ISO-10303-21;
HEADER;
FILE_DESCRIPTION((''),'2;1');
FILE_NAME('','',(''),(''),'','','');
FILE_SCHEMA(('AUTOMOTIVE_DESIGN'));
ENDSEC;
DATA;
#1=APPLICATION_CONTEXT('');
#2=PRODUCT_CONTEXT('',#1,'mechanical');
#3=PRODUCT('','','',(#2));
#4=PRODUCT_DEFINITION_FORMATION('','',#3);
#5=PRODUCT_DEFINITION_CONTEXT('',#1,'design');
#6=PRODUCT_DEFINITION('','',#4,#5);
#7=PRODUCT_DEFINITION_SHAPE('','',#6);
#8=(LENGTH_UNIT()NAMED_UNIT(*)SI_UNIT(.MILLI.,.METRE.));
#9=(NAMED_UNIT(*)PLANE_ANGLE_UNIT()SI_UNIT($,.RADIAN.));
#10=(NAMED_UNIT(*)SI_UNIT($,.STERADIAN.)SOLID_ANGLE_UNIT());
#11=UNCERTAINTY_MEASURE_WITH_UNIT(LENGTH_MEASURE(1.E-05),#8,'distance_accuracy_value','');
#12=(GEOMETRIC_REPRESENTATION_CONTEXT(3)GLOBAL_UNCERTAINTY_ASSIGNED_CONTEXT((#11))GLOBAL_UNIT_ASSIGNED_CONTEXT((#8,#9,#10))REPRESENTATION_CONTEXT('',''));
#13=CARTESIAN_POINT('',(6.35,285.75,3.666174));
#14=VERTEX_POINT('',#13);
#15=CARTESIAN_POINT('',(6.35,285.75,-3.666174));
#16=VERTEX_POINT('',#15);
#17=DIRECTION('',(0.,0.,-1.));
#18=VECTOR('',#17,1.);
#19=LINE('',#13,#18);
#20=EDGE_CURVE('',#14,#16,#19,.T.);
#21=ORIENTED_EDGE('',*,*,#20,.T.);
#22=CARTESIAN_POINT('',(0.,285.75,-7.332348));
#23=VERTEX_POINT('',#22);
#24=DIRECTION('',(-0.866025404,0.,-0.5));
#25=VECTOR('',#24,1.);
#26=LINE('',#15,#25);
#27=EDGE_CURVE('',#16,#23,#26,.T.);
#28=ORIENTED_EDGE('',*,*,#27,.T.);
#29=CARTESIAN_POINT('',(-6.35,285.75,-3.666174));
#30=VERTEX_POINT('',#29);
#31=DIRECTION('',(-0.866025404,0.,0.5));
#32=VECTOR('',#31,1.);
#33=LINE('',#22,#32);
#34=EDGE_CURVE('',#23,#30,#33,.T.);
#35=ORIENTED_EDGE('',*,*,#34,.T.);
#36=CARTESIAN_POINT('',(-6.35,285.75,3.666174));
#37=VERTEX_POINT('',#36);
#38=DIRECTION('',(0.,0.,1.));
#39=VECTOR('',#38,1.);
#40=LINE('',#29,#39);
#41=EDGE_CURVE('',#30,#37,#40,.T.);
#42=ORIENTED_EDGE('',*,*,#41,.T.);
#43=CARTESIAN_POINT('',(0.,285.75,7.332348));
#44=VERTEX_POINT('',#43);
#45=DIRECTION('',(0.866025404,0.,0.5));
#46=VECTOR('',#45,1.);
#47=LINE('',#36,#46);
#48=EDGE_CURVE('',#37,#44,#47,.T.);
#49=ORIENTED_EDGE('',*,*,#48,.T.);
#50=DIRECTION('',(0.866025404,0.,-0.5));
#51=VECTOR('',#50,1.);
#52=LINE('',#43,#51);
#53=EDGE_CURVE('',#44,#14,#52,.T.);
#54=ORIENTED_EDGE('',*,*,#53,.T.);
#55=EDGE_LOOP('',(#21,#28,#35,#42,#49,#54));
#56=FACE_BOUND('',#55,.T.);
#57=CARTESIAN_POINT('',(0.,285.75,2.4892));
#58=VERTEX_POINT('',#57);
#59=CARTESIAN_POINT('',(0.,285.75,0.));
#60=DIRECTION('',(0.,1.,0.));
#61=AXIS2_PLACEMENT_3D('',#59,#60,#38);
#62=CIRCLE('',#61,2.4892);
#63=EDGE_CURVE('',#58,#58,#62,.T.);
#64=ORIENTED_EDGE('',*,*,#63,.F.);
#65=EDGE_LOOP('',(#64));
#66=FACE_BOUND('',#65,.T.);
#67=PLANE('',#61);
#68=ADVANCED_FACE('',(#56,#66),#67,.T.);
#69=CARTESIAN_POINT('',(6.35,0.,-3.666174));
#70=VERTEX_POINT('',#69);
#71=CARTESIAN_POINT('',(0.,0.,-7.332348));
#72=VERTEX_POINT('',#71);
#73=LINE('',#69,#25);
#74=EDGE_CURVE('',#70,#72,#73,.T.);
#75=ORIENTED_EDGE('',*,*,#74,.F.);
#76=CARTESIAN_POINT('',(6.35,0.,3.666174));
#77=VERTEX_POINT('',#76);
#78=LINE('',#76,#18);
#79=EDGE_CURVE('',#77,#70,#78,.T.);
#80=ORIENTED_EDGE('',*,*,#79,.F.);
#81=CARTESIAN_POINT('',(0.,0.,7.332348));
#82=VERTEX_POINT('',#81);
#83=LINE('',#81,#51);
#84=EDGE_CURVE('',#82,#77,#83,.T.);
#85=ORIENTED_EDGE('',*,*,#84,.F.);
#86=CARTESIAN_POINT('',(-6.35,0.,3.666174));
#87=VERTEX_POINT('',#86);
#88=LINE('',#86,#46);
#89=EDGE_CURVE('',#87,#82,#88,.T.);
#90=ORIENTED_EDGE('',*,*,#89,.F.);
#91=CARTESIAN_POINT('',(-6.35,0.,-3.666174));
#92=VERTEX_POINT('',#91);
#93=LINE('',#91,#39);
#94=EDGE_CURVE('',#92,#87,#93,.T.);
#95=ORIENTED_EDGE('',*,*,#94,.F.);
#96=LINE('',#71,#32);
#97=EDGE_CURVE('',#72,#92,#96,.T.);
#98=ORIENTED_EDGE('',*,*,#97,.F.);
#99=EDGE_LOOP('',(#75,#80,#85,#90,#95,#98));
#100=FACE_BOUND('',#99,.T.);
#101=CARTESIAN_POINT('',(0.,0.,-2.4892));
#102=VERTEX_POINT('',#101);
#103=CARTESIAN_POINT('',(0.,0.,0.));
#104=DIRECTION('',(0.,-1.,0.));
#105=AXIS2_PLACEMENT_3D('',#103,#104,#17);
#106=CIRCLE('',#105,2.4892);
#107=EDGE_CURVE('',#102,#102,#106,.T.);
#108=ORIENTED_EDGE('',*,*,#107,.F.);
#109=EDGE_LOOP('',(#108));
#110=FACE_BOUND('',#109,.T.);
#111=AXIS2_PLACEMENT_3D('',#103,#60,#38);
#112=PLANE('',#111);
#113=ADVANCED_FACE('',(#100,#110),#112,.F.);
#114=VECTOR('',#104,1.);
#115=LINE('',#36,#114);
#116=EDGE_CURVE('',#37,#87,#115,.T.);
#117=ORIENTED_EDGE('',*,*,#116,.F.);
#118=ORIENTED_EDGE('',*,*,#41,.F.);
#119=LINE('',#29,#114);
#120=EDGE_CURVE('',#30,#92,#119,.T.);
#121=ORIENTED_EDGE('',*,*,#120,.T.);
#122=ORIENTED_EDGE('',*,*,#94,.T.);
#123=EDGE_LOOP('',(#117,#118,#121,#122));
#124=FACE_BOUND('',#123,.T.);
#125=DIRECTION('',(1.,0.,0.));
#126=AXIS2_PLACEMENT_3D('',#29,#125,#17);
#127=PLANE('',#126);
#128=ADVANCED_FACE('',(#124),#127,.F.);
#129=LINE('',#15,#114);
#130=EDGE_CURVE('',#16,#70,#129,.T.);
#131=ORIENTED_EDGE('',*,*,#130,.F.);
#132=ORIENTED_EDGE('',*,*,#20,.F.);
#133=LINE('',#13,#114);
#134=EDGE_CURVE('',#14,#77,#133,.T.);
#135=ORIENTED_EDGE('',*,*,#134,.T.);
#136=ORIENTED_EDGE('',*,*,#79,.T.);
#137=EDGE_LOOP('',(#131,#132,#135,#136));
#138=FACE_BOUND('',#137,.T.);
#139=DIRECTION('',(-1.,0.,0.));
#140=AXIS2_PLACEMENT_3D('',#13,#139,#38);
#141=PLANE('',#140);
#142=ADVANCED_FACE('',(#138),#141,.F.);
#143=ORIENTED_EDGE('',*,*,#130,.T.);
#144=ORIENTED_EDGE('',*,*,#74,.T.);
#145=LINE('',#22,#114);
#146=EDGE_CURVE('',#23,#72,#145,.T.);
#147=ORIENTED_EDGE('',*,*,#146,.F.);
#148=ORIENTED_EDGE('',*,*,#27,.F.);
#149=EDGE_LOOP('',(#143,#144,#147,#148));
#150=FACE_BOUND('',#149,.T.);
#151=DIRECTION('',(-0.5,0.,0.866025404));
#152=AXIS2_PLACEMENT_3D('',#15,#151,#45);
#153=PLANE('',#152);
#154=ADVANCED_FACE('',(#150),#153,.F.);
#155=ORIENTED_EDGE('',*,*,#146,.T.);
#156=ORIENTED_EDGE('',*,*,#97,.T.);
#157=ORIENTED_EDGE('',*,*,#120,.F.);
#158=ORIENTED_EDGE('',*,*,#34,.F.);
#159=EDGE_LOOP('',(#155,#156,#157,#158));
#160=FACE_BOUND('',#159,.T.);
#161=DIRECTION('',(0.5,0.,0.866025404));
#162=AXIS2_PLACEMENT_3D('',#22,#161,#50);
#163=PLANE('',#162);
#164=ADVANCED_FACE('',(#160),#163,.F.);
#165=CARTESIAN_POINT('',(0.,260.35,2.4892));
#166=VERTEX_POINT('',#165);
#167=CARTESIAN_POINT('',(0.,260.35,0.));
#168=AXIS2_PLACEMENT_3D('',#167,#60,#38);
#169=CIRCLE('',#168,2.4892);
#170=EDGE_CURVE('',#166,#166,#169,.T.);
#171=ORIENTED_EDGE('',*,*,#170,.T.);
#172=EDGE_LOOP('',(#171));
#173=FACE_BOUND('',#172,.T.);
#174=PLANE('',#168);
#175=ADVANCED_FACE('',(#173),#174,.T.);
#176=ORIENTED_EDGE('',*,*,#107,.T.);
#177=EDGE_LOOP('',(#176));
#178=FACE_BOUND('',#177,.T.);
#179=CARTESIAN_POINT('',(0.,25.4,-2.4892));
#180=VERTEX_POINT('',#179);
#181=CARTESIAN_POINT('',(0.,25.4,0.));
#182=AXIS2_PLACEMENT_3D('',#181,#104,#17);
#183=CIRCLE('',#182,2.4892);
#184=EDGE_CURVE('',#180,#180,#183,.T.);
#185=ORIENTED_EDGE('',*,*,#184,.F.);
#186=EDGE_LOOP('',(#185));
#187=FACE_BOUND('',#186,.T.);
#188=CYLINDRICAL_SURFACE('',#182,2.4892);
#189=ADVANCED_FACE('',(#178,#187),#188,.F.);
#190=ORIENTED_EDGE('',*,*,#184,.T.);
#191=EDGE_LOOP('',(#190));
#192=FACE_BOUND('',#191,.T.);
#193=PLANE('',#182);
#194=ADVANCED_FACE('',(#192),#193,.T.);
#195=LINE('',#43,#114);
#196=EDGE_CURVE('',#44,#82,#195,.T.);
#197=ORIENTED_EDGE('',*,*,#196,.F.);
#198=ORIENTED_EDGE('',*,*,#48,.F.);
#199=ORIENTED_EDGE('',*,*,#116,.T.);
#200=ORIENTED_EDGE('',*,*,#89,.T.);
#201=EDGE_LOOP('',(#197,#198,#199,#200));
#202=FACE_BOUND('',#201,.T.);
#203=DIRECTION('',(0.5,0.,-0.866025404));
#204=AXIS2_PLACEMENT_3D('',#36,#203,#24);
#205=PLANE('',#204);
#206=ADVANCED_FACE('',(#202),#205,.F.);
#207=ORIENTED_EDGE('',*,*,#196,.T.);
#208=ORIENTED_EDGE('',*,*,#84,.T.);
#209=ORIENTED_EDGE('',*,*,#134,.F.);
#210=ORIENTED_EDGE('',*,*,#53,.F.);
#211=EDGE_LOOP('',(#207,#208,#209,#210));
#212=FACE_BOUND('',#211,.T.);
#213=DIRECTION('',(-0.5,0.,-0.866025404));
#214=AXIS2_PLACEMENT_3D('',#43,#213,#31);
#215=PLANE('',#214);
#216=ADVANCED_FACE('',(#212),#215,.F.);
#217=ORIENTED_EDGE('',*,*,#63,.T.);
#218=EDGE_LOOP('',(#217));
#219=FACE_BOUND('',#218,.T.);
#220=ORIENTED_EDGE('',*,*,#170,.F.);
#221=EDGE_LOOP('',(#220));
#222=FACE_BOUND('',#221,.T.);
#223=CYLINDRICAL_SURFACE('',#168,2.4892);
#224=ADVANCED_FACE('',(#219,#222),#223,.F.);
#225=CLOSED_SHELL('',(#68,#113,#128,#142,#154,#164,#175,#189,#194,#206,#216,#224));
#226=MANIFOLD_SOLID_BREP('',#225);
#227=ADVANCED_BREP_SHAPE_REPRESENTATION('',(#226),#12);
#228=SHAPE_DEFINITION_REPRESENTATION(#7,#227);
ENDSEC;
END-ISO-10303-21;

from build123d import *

# Parameters (mm, degrees)
BOSS_EXTRUDE1_DEPTH = 285.75
SKETCH2_R           = 2.4892
CUT_EXTRUDE1_DEPTH  = 25.4
SKETCH3_R           = 2.4892
CUT_EXTRUDE2_DEPTH  = 25.4


with BuildPart() as part:
    # Sketch1 → Boss-Extrude1 (new body)
    with BuildSketch(Plane(origin=(0, 0, 0), x_dir=(1, 0, 0), z_dir=(0, 1, 0))):
        Polygon((6.35, 3.666174209), (0, 7.332348419), (-6.35, 3.666174209), (-6.35, -3.666174209), (0, -7.332348419), (6.35, -3.666174209), align=None)
    extrude(amount=BOSS_EXTRUDE1_DEPTH)

    # Sketch2 → Cut-Extrude1 (cut)
    with BuildSketch(Plane.XZ):
        Circle(SKETCH2_R)
    extrude(amount=-CUT_EXTRUDE1_DEPTH, mode=Mode.SUBTRACT)

    # Sketch3 → Cut-Extrude2 (cut)
    with BuildSketch(Plane(origin=(0, 285.75, 0), x_dir=(1, 0, 0), z_dir=(0, 1, 0))):
        Circle(SKETCH3_R)
    extrude(amount=-CUT_EXTRUDE2_DEPTH, mode=Mode.SUBTRACT)


solid = part.part
